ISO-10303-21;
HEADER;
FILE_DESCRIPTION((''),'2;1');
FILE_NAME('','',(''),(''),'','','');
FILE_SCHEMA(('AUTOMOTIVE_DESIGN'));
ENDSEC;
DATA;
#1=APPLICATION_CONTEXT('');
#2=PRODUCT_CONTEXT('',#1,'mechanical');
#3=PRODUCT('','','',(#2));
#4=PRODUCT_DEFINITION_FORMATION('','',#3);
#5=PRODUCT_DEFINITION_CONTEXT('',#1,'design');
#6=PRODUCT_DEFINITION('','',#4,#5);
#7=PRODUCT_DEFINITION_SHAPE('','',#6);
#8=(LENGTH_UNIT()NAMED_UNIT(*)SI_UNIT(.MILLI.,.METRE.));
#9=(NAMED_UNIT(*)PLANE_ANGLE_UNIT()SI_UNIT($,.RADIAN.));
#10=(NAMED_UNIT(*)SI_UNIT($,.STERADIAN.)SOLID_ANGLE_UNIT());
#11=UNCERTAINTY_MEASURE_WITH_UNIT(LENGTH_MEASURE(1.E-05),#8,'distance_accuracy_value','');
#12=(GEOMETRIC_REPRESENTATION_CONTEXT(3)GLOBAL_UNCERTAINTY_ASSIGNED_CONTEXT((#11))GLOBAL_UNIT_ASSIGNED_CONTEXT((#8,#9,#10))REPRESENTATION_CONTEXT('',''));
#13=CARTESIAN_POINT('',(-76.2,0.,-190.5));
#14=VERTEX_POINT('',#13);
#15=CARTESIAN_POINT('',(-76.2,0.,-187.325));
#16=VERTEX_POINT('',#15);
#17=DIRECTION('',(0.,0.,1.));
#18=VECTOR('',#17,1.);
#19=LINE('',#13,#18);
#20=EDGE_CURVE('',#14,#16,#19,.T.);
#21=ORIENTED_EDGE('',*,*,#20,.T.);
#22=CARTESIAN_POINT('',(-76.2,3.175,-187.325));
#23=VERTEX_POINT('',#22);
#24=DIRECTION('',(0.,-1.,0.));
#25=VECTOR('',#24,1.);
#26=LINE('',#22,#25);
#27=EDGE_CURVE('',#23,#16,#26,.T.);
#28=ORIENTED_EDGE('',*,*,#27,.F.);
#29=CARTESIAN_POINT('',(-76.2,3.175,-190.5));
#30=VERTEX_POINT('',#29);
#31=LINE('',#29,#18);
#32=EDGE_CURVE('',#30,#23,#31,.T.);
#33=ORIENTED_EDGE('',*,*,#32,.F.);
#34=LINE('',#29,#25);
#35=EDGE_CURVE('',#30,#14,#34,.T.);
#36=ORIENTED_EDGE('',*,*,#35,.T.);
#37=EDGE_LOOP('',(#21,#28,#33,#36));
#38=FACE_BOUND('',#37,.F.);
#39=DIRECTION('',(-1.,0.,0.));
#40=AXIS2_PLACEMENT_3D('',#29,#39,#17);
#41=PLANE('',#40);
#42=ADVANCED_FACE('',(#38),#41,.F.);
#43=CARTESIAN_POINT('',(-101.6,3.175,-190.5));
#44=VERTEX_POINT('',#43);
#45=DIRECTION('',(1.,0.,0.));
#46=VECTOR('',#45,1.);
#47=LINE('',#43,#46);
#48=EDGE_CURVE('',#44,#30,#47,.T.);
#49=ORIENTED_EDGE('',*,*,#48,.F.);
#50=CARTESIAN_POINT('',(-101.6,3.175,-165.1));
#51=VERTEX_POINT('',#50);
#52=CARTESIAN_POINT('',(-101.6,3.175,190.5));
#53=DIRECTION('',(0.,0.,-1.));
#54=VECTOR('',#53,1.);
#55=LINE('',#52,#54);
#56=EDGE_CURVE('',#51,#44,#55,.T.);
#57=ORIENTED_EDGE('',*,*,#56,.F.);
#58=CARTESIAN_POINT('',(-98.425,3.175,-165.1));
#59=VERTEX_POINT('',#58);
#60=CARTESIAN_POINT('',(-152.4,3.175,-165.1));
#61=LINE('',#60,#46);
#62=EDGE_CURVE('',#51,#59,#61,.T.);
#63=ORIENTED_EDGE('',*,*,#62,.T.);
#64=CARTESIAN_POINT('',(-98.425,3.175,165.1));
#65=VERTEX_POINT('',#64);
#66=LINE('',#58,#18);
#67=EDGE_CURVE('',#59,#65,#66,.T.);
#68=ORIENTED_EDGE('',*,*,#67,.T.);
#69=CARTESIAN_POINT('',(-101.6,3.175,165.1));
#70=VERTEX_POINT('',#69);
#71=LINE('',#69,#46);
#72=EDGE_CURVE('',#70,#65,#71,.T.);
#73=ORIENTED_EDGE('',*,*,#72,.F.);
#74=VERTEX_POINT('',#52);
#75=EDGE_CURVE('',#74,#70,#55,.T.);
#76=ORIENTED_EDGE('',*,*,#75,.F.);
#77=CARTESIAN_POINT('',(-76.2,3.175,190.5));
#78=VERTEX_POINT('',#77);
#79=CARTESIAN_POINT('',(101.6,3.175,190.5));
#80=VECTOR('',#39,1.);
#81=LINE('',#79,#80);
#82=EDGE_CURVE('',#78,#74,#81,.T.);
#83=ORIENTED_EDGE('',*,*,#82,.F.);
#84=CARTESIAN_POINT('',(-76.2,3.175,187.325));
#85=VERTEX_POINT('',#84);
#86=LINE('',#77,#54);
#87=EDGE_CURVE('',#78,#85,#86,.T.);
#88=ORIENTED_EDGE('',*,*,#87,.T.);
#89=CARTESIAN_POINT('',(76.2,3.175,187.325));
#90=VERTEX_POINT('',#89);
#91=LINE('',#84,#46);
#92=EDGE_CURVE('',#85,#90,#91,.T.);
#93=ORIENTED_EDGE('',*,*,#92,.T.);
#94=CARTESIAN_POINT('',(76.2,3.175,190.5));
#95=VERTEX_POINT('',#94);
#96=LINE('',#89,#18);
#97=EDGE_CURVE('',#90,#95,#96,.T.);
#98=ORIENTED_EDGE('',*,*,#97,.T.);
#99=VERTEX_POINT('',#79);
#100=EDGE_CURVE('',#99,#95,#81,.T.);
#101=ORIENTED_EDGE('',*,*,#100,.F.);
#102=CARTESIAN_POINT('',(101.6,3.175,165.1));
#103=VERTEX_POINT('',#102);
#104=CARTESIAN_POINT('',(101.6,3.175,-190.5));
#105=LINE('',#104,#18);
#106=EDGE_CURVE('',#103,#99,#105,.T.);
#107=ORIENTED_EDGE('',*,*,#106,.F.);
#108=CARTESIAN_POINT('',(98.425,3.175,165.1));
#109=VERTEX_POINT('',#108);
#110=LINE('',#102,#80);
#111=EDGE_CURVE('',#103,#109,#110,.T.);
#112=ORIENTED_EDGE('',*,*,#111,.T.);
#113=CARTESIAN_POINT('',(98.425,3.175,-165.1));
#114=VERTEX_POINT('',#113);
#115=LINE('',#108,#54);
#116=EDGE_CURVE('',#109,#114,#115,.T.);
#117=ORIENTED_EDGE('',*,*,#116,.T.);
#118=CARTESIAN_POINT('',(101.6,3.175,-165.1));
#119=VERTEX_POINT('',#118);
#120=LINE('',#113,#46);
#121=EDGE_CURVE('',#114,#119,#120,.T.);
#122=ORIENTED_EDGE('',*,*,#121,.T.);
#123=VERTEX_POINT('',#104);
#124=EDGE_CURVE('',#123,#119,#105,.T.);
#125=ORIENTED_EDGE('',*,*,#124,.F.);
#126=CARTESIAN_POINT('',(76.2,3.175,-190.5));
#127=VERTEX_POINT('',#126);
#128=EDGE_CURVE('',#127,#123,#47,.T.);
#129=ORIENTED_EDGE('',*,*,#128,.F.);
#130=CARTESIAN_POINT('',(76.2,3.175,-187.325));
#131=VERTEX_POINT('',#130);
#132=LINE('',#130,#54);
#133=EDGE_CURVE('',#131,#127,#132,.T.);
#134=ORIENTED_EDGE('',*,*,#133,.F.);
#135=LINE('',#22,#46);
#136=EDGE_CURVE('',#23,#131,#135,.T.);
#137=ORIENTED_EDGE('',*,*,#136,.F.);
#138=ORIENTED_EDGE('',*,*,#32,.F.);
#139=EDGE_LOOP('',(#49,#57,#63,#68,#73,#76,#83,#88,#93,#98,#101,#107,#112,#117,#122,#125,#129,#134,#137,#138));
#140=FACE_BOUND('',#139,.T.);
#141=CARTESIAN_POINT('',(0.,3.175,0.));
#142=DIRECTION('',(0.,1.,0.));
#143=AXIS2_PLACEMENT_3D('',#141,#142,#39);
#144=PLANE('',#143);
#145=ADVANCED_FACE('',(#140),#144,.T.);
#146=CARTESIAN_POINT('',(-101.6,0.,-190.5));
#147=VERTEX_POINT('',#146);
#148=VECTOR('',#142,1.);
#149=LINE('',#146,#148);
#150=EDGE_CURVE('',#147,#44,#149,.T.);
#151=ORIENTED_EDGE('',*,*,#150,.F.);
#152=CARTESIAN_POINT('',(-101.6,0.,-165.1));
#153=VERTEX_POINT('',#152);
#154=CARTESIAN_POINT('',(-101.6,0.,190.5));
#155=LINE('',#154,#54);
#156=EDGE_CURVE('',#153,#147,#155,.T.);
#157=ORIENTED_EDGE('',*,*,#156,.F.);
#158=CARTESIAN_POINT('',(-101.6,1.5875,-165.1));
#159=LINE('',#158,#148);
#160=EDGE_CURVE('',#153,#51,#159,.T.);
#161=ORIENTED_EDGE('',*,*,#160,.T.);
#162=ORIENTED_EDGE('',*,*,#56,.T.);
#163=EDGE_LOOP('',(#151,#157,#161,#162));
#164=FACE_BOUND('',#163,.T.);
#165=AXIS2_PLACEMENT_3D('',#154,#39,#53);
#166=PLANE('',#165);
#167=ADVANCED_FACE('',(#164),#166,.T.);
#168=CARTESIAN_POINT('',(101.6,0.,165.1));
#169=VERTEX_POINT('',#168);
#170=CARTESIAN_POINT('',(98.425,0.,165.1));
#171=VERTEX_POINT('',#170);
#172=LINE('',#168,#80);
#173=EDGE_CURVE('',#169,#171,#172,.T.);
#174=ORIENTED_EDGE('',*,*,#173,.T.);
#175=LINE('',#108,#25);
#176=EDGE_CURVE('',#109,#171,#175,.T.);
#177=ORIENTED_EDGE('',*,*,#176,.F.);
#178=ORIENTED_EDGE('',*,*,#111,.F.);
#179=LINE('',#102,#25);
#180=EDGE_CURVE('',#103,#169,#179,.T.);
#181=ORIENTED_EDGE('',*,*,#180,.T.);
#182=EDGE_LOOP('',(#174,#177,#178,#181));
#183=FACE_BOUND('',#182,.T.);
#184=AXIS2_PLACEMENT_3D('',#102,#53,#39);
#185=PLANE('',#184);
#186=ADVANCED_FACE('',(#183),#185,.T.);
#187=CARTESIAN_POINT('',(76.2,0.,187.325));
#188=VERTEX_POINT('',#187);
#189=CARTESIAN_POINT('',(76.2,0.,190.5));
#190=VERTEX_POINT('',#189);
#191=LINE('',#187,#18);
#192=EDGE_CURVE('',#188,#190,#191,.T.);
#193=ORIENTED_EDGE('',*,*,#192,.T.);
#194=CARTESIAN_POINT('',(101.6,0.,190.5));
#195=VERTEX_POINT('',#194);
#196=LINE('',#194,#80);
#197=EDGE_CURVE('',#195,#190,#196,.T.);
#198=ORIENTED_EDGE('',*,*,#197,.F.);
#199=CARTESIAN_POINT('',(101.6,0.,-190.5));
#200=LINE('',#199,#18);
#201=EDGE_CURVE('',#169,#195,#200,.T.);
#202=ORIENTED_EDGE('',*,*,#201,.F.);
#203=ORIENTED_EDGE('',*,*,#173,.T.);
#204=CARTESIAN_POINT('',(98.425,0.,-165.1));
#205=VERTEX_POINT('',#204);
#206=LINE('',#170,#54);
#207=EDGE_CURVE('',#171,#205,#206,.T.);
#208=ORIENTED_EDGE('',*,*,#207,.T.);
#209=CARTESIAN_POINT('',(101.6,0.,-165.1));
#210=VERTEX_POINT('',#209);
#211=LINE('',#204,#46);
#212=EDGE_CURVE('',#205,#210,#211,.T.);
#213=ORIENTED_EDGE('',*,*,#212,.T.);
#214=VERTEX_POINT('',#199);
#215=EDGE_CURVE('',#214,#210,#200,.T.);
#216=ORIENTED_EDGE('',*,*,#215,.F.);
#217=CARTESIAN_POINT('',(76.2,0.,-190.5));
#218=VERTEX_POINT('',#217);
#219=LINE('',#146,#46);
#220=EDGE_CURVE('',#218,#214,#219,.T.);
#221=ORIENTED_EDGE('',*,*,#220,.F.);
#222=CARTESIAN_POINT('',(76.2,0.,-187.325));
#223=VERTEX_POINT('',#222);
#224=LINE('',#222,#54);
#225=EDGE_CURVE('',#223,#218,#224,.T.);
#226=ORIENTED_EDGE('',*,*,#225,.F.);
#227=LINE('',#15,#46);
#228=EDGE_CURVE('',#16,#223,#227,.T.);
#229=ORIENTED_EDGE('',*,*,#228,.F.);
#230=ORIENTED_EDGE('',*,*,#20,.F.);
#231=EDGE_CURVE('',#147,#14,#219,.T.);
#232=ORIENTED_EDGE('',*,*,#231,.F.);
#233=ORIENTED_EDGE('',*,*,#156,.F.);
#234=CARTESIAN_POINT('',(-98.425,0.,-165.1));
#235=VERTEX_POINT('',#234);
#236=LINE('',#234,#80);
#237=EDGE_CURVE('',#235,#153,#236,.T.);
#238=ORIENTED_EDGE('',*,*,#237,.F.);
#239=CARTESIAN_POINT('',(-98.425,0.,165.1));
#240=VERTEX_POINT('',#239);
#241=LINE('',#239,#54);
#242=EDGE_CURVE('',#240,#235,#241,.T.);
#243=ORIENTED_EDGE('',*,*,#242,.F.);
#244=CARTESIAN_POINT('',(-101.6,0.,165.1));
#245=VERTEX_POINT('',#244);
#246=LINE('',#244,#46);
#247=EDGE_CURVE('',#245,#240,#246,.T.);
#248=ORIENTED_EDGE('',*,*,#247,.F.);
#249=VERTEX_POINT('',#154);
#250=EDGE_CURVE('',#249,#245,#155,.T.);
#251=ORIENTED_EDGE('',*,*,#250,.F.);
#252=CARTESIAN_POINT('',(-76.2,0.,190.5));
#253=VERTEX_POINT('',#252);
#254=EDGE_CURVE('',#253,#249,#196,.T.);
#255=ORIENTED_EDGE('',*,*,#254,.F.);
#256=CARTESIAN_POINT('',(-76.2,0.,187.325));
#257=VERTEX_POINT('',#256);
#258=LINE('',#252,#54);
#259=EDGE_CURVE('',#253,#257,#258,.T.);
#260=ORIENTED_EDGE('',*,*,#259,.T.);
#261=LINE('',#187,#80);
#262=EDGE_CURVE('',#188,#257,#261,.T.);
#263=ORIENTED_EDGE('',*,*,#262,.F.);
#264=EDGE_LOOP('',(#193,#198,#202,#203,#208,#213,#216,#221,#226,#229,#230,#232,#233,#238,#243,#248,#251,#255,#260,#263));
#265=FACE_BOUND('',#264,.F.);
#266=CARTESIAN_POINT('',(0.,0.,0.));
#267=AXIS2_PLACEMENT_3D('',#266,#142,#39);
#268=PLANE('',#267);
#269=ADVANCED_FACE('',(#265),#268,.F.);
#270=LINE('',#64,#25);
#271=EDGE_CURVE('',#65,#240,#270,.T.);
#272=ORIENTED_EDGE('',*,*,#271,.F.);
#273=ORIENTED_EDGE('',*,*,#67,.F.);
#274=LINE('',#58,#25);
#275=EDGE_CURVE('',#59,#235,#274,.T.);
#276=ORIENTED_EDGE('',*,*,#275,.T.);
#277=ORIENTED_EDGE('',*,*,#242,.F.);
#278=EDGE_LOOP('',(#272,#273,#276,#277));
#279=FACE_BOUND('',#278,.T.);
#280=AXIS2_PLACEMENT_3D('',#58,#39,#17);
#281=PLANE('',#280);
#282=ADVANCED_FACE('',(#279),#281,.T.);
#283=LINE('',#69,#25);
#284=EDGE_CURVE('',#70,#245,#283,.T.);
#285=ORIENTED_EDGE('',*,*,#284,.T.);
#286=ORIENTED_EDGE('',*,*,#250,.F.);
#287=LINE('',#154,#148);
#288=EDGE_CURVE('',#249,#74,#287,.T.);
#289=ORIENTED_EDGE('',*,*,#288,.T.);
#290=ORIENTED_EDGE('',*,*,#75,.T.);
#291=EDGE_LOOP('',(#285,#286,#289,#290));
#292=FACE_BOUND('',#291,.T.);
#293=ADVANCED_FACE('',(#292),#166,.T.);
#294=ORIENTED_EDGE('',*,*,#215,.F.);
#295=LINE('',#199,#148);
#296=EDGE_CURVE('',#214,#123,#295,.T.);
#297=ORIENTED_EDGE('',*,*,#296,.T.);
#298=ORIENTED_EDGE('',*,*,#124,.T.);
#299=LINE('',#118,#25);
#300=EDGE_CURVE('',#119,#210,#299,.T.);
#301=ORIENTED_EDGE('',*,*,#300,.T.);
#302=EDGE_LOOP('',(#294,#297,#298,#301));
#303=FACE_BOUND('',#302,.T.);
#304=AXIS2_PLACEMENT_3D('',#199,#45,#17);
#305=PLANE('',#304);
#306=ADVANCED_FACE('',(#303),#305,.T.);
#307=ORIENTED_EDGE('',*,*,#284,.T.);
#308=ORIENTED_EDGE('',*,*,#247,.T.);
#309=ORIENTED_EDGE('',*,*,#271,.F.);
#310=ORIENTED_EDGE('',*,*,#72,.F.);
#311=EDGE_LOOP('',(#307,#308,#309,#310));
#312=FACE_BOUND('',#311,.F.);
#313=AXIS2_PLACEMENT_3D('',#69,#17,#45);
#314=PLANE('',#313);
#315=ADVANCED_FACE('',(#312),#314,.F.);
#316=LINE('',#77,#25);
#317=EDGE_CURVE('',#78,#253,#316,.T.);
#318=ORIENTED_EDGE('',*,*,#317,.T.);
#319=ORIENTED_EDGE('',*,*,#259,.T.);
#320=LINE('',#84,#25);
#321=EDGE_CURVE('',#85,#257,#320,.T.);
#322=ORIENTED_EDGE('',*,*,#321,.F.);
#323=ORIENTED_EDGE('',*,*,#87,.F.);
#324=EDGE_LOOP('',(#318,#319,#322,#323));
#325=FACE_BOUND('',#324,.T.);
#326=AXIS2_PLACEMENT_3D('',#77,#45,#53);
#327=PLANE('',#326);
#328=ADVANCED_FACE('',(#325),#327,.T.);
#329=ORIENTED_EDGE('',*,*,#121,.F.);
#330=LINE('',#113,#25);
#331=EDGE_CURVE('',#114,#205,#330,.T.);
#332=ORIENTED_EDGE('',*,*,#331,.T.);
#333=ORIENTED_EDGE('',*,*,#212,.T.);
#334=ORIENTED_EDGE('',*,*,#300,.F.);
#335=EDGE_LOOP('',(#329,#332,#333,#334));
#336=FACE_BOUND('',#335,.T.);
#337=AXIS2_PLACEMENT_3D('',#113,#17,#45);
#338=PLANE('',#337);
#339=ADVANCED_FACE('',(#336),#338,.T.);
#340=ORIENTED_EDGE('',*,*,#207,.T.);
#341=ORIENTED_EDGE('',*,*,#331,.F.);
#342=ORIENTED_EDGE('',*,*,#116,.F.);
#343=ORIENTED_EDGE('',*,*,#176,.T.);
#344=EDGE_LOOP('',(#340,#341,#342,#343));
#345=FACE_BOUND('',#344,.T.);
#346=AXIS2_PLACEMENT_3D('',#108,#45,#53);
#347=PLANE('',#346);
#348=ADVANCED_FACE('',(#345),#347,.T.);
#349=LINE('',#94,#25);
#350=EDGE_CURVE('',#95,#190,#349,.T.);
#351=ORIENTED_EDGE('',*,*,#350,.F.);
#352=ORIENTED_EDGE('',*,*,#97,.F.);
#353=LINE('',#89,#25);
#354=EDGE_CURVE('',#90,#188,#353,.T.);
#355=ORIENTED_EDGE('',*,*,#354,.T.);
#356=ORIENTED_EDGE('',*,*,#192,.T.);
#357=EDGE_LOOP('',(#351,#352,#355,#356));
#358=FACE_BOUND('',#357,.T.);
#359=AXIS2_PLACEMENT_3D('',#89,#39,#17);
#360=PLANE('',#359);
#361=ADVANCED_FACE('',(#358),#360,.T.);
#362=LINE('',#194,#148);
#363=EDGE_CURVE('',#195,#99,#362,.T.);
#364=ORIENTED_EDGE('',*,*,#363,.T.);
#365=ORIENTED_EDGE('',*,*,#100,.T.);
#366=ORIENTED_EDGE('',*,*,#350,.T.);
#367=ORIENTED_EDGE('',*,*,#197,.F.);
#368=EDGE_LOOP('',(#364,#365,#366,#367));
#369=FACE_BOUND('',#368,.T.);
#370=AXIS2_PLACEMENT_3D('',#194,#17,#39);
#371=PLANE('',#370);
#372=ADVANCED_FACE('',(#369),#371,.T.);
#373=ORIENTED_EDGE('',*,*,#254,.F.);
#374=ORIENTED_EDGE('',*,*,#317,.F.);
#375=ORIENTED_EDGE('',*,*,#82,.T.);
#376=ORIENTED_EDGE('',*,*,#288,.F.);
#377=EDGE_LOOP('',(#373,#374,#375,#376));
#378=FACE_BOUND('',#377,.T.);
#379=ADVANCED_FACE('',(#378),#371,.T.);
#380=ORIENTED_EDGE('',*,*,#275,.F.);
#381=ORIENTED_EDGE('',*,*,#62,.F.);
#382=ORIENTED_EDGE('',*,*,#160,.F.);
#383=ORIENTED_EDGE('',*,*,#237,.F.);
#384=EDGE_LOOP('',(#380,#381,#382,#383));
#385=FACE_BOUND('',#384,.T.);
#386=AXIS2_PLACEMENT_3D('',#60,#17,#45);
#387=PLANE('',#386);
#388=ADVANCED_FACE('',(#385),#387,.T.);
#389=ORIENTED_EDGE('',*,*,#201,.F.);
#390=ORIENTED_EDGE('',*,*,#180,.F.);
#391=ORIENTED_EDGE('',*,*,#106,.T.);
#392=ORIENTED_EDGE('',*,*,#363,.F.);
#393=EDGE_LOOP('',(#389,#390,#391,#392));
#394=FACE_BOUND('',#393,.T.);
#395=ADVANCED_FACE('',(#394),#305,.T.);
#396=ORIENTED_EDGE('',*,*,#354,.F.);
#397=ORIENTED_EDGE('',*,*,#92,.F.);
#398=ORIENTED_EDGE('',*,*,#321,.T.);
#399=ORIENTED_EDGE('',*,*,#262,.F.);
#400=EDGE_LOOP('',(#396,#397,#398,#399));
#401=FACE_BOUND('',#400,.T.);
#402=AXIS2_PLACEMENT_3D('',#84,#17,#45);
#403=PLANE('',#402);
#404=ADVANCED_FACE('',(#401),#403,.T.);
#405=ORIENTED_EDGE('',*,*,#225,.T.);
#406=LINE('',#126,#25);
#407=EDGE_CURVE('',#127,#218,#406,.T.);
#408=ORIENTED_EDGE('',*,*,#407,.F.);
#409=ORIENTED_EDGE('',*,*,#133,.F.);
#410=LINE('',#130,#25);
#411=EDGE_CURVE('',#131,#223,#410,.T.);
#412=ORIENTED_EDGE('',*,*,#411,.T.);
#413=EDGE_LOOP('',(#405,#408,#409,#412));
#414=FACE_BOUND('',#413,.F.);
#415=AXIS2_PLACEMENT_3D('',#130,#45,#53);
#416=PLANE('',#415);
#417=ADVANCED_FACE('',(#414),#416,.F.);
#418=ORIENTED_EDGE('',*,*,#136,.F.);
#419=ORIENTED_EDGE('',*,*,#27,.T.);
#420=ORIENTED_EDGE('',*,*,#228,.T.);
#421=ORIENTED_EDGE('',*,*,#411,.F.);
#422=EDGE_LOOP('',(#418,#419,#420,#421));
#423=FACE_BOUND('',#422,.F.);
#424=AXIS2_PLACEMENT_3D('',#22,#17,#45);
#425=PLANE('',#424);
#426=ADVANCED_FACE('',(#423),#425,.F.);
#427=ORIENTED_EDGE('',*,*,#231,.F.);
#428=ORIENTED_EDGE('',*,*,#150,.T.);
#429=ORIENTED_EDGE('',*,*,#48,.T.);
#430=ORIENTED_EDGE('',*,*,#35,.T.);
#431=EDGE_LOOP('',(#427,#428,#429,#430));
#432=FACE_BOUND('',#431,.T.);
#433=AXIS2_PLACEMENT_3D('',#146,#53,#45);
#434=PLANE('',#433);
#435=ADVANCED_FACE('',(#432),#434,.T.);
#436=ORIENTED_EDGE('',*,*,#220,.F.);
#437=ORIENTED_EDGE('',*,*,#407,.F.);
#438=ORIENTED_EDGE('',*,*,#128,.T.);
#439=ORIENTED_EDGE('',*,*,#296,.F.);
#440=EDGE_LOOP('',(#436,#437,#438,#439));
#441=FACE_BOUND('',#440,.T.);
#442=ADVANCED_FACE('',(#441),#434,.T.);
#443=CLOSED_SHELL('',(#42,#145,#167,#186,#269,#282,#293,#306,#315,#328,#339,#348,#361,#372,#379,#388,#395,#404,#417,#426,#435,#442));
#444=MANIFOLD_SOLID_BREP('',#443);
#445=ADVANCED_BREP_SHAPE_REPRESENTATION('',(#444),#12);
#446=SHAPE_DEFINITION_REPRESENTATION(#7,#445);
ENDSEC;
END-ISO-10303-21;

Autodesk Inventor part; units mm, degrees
ref_plane "YZ Plane" through (0, 0, 0) normal (1, 0, 0) x (0, 1, 0)
ref_plane "XZ Plane" through (0, 0, 0) normal (0, 1, 0) x (-1, 0, 0)
ref_plane "XY Plane" through (0, 0, 0) normal (0, 0, 1) x (1, 0, 0)
sketch "Sketch1" plane through (0, 0, 0) normal (0, 1, 0) x (-1, 0, 0)
  line L0 (-101.6, 190.5) -> (101.6, 190.5)
  line L1 (101.6, 190.5) -> (101.6, -190.5)
  line L2 (101.6, -190.5) -> (-101.6, -190.5)
  line L3 (-101.6, -190.5) -> (-101.6, 190.5)
  line L4 (-101.6, 190.5) -> (101.6, -190.5) construction
  line L5 (101.6, 190.5) -> (-101.6, -190.5) construction
  point P0 (0, 0)
  dimension "d0" = 203.2
  dimension "d1" = 381
extrude "Extrusion1" add sketch "Sketch1" along normal blind 3.175
sketch "Sketch2" plane through (0, 3.175, 0) normal (0, 1, 0) x (1, 0, 0)
  line L0 (-76.2, -190.5) -> (-76.2, -187.325)
  line L1 (-101.6, -165.1) -> (-98.425, -165.1)
  line L2 (-98.425, -165.1) -> (-98.425, 0)
  line L3 (-76.2, -187.325) -> (0, -187.325)
  line L4 (-101.6, 190.5) -> (-101.6, 165.1)
  line L5 (-101.6, 165.1) -> (-98.425, 165.1)
  line L6 (-98.425, 165.1) -> (-98.425, 0)
  line L7 (-101.6, 190.5) -> (-76.2, 190.5)
  line L8 (0, -187.325) -> (76.2, -187.325)
  line L9 (76.2, -187.325) -> (76.2, -190.5)
  line L10 (101.6, -190.5) -> (101.6, -165.1)
  line L11 (101.6, -190.5) -> (101.6, 190.5) projected
  line L12 (101.6, -165.1) -> (98.425, -165.1)
  line L13 (98.425, -165.1) -> (98.425, 165.1)
  line L14 (98.425, 165.1) -> (101.6, 165.1)
  line L15 (-76.2, 190.5) -> (-76.2, 187.325)
  line L16 (-76.2, 187.325) -> (76.2, 187.325)
  line L17 (76.2, 187.325) -> (76.2, 190.5)
  line L18 (76.2, 190.5) -> (-76.2, 190.5)
  line L19 (101.6, -165.1) -> (142.875, -125.4125)
  line L20 (142.875, -125.4125) -> (138.1125, 114.3)
  line L21 (138.1125, 114.3) -> (101.6, 165.1)
  line L22 (-76.2, -190.5) -> (66.675, -207.9625)
  line L23 (66.675, -207.9625) -> (76.2, -190.5)
  line L24 (-101.6, -165.1) -> (-173.0375, -100.0125)
  line L25 (-173.0375, -100.0125) -> (-152.4, 165.1)
  line L26 (-152.4, 165.1) -> (-101.6, 165.1)
  point P0 (-101.6, -190.5)
  dimension "d5" = 25.4
  dimension "d6" = 76.2
  dimension "d7" = 180
extrude "Extrusion2" cut sketch "Sketch2" against normal blind 3.175 contours L0 L3 L8 L9 L23 L22 | L24 L25 L26 L5 L6 L2 L1 | L18 L17 L16 L15 | L12 L13 L14 L11
properties part number "bottom"
